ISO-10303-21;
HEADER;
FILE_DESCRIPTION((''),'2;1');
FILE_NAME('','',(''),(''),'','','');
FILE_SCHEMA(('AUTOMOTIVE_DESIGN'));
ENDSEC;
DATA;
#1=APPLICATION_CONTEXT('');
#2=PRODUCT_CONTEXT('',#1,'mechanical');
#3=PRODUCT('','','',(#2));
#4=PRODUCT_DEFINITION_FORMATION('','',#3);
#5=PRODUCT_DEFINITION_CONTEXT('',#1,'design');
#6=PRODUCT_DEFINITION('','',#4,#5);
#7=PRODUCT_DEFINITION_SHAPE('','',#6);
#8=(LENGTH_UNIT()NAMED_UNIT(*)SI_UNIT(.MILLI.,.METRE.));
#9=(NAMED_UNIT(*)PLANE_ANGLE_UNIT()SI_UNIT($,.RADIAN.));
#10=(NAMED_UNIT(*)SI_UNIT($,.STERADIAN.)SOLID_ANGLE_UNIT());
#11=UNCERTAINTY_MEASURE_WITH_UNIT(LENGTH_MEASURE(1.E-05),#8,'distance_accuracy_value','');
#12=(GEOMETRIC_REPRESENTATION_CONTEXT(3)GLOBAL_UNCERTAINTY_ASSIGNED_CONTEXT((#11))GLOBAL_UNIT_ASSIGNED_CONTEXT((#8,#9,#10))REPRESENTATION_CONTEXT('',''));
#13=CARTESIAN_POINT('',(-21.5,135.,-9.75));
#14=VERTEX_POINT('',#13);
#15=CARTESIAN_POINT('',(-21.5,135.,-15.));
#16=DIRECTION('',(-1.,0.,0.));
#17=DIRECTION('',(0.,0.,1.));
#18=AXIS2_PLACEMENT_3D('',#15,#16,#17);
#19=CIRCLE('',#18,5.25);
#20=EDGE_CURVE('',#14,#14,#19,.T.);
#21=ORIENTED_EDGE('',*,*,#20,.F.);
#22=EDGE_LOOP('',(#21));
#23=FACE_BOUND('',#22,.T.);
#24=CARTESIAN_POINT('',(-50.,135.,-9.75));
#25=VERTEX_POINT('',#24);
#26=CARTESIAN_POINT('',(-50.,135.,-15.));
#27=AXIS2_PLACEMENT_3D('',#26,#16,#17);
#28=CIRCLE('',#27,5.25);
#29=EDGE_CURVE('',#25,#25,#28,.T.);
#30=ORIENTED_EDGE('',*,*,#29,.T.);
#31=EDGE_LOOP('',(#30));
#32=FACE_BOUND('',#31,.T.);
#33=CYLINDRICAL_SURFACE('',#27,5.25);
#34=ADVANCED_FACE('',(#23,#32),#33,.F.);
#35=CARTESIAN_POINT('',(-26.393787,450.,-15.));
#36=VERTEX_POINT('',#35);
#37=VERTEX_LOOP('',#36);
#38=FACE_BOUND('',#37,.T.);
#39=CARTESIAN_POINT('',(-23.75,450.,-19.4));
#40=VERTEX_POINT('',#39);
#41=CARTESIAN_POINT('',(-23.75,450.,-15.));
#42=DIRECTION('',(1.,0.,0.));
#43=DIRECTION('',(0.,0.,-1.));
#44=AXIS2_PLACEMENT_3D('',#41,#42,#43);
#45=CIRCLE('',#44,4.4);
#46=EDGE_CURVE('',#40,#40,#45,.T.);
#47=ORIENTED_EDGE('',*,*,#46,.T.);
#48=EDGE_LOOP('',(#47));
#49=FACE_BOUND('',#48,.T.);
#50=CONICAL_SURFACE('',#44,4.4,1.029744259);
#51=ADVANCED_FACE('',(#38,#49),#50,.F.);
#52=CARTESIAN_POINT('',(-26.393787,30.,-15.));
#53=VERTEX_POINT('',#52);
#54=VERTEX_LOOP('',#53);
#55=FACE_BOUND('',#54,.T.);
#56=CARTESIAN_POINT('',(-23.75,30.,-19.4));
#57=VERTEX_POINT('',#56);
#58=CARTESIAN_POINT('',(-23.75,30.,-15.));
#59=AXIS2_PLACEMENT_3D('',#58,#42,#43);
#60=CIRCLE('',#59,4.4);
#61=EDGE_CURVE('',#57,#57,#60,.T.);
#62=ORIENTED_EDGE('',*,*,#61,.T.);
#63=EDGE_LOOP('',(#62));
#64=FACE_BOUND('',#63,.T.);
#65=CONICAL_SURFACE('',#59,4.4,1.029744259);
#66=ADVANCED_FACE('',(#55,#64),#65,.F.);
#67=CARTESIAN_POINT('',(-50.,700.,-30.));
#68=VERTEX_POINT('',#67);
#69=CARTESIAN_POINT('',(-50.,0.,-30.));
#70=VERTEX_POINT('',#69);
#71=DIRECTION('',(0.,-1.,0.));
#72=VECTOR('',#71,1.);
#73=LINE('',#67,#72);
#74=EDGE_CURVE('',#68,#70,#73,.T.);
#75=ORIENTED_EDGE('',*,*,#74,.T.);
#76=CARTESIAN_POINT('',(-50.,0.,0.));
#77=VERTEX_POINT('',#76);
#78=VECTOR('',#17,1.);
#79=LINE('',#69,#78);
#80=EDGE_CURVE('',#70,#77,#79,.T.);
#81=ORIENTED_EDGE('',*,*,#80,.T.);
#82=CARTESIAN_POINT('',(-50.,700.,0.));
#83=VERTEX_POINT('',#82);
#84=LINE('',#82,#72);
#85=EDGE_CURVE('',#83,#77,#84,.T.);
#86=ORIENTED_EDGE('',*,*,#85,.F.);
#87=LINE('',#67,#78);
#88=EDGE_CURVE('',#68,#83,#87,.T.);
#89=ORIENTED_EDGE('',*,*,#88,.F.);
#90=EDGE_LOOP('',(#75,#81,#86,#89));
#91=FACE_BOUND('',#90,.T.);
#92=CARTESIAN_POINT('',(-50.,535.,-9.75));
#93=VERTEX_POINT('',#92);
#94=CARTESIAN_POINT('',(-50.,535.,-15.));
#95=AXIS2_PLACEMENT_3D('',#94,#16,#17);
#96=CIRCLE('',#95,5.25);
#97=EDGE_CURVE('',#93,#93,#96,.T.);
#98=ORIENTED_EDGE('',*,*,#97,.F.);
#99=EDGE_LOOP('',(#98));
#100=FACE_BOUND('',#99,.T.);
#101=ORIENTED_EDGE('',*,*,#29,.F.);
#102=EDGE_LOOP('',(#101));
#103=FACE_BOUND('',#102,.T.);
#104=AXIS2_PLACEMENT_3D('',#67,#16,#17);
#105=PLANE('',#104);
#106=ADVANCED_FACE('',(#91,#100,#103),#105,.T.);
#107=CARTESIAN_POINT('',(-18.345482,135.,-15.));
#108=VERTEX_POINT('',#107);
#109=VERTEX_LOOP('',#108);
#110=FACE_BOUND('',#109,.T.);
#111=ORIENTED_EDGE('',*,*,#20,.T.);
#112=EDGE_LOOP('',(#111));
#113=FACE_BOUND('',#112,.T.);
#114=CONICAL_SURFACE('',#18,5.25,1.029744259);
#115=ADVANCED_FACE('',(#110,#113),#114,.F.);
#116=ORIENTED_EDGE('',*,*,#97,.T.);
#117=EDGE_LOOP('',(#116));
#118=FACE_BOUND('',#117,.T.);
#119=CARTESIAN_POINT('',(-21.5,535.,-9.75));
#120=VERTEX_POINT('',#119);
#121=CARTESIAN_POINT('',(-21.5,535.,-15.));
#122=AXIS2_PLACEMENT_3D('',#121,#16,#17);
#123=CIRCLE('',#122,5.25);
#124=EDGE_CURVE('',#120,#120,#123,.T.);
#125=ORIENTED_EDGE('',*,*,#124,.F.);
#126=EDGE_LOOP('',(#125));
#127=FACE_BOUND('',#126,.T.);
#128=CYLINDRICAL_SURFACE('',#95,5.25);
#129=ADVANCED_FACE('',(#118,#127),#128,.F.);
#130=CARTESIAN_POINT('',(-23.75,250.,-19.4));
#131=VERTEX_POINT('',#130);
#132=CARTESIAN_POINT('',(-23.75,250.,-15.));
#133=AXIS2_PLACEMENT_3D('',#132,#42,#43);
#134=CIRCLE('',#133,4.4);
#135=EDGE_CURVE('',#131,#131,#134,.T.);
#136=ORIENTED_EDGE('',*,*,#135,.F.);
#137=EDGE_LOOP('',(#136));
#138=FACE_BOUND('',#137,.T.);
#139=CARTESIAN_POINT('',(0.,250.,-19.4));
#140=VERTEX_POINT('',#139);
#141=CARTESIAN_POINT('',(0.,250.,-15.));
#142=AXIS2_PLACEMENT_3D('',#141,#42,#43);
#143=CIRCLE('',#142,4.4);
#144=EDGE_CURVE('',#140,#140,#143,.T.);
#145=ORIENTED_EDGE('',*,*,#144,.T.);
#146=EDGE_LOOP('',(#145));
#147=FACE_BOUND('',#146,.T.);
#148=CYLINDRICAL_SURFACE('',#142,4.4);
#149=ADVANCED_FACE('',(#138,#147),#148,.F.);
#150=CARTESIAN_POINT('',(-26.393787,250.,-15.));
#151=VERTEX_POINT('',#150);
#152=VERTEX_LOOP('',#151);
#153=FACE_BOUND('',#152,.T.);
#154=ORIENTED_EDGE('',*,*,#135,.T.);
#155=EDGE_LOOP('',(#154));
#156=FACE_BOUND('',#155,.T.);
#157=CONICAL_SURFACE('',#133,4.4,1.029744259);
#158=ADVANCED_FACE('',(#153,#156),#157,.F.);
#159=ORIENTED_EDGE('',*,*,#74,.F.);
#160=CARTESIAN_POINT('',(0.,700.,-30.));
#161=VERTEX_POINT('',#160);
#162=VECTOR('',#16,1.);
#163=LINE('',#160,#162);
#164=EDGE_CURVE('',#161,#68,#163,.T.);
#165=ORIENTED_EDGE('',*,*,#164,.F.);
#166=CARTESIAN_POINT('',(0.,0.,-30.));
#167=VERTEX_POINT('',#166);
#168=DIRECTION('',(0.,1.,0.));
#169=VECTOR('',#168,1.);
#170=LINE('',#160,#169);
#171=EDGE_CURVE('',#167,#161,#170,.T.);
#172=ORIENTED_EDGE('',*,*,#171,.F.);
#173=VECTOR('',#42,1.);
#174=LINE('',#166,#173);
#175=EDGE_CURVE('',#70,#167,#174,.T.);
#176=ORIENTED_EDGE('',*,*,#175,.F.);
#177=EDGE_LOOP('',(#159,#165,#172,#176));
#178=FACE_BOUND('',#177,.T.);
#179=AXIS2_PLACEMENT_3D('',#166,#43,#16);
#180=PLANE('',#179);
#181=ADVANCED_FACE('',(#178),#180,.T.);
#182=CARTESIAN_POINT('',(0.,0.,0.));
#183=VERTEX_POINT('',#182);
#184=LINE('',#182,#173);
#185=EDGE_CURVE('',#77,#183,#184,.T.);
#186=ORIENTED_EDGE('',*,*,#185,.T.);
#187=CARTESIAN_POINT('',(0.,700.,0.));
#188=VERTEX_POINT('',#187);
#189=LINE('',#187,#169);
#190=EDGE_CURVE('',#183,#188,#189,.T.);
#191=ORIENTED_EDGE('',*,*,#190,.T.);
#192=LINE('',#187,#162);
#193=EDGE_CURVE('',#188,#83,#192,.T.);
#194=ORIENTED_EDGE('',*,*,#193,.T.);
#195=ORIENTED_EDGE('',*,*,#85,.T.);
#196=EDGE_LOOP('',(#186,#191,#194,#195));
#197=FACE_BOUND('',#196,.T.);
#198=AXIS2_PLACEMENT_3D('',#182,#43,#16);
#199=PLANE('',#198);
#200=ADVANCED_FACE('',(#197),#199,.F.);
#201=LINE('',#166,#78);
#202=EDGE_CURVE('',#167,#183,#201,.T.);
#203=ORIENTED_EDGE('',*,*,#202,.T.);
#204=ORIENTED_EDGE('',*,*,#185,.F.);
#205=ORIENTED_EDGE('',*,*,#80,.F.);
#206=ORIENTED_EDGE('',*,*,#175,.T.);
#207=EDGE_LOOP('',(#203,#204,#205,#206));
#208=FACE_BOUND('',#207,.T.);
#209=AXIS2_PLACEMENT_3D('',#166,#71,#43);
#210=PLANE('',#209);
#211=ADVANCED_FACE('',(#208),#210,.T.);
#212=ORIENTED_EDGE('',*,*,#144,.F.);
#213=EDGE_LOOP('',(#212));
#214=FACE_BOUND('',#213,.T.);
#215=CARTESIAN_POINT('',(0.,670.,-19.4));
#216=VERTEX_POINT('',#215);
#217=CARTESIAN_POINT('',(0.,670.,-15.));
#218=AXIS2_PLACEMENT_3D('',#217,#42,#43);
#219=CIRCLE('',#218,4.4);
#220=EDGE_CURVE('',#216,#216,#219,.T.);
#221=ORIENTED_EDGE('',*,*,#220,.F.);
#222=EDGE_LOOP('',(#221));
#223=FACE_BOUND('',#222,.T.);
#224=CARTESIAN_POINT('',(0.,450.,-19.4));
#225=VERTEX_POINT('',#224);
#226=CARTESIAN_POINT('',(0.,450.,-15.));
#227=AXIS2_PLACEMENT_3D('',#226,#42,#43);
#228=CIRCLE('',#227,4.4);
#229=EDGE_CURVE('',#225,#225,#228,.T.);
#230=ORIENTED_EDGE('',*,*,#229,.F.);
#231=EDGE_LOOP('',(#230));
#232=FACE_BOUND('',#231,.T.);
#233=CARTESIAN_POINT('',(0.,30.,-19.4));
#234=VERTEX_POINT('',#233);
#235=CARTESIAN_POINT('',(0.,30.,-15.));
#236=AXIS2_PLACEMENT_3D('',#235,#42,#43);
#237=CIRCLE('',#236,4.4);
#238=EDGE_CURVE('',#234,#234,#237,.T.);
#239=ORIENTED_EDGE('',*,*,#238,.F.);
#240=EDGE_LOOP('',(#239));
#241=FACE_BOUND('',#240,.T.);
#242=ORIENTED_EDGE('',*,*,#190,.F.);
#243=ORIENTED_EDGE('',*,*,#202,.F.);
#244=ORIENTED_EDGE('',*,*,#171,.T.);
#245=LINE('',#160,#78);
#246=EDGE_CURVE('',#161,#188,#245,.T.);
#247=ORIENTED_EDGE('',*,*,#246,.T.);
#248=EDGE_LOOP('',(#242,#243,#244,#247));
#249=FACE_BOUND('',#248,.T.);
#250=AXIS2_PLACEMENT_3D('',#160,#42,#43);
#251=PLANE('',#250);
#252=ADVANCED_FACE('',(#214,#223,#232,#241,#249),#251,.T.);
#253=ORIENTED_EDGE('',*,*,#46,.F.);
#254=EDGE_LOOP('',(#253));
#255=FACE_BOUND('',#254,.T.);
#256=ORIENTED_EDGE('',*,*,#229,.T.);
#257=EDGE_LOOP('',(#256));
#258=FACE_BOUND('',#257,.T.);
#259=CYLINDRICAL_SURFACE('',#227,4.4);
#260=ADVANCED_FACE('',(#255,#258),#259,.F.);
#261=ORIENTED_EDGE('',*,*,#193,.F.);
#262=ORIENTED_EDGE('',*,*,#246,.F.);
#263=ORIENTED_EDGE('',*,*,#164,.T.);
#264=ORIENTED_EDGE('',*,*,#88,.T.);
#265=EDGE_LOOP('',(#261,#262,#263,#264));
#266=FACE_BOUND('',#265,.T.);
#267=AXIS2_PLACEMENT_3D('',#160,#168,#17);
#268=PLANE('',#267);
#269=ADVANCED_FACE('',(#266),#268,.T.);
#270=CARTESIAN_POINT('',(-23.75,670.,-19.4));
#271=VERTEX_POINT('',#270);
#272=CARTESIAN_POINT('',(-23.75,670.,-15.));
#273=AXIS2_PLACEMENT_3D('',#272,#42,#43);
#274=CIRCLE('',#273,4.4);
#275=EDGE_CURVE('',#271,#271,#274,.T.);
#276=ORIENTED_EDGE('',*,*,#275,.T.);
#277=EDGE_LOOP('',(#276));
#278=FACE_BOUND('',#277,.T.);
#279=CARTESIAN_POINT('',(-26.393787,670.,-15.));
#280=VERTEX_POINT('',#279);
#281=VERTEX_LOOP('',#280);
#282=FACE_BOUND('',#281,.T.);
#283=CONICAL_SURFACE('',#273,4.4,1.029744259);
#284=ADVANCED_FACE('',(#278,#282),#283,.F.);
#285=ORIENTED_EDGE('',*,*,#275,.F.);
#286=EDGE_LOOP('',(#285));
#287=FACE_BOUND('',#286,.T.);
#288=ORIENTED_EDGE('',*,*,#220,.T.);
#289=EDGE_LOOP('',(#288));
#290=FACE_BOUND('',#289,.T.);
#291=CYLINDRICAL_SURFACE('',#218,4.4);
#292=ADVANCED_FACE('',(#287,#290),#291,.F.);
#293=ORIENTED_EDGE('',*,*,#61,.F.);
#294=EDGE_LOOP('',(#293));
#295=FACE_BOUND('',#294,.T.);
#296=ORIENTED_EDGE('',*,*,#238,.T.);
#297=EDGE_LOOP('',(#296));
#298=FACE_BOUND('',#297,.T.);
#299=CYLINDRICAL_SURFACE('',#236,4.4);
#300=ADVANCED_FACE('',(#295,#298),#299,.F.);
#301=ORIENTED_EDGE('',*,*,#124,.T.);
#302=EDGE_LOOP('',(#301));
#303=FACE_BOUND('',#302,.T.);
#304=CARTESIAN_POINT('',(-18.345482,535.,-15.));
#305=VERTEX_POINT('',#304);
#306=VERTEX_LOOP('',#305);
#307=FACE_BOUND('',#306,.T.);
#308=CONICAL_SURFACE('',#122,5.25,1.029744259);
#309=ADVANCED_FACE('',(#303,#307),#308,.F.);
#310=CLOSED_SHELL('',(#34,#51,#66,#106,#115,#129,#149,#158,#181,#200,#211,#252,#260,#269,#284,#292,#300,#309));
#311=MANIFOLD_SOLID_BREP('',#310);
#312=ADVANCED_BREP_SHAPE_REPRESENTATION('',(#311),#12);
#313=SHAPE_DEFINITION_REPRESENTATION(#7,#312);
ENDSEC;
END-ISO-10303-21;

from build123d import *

# Parameters (mm, degrees)
SKETCH_1_W       = 50
SKETCH_1_H       = 700
EXTRUDE_1_DEPTH  = 30
M10X1_25_1_D     = 8.8
M10X1_25_1_DEPTH = 23.75
M10X1_25_1_TIP   = 2.643786724
M12X1_5_1_D      = 10.5
M12X1_5_1_DEPTH  = 28.5
M12X1_5_1_TIP    = 3.15451825


with BuildPart() as part:
    # 草图1 → 凸台-拉伸1 (new body)
    with BuildSketch(Plane.XY):
        with Locations((-25, 350)):
            Rectangle(SKETCH_1_W, SKETCH_1_H)
    extrude(amount=-EXTRUDE_1_DEPTH)

    # M10x1.25 螺纹孔1
    with Locations(Plane(origin=(0, 0, 0), x_dir=(0, 0, -1), z_dir=(1, 0, 0))):
        with Locations((15, 670), (15, 450), (15, 250), (15, 30)):
            Hole(M10X1_25_1_D / 2, depth=M10X1_25_1_DEPTH)
            with Locations((0, 0, -(M10X1_25_1_DEPTH + M10X1_25_1_TIP / 2))):  # 118° drill point
                Cone(0, M10X1_25_1_D / 2, M10X1_25_1_TIP, mode=Mode.SUBTRACT)

    # M12x1.5 螺纹孔1
    with Locations(Plane.ZY.offset(50)):
        with Locations((-15, 535), (-15, 135)):
            Hole(M12X1_5_1_D / 2, depth=M12X1_5_1_DEPTH)
            with Locations((0, 0, -(M12X1_5_1_DEPTH + M12X1_5_1_TIP / 2))):  # 118° drill point
                Cone(0, M12X1_5_1_D / 2, M12X1_5_1_TIP, mode=Mode.SUBTRACT)


solid = part.part
